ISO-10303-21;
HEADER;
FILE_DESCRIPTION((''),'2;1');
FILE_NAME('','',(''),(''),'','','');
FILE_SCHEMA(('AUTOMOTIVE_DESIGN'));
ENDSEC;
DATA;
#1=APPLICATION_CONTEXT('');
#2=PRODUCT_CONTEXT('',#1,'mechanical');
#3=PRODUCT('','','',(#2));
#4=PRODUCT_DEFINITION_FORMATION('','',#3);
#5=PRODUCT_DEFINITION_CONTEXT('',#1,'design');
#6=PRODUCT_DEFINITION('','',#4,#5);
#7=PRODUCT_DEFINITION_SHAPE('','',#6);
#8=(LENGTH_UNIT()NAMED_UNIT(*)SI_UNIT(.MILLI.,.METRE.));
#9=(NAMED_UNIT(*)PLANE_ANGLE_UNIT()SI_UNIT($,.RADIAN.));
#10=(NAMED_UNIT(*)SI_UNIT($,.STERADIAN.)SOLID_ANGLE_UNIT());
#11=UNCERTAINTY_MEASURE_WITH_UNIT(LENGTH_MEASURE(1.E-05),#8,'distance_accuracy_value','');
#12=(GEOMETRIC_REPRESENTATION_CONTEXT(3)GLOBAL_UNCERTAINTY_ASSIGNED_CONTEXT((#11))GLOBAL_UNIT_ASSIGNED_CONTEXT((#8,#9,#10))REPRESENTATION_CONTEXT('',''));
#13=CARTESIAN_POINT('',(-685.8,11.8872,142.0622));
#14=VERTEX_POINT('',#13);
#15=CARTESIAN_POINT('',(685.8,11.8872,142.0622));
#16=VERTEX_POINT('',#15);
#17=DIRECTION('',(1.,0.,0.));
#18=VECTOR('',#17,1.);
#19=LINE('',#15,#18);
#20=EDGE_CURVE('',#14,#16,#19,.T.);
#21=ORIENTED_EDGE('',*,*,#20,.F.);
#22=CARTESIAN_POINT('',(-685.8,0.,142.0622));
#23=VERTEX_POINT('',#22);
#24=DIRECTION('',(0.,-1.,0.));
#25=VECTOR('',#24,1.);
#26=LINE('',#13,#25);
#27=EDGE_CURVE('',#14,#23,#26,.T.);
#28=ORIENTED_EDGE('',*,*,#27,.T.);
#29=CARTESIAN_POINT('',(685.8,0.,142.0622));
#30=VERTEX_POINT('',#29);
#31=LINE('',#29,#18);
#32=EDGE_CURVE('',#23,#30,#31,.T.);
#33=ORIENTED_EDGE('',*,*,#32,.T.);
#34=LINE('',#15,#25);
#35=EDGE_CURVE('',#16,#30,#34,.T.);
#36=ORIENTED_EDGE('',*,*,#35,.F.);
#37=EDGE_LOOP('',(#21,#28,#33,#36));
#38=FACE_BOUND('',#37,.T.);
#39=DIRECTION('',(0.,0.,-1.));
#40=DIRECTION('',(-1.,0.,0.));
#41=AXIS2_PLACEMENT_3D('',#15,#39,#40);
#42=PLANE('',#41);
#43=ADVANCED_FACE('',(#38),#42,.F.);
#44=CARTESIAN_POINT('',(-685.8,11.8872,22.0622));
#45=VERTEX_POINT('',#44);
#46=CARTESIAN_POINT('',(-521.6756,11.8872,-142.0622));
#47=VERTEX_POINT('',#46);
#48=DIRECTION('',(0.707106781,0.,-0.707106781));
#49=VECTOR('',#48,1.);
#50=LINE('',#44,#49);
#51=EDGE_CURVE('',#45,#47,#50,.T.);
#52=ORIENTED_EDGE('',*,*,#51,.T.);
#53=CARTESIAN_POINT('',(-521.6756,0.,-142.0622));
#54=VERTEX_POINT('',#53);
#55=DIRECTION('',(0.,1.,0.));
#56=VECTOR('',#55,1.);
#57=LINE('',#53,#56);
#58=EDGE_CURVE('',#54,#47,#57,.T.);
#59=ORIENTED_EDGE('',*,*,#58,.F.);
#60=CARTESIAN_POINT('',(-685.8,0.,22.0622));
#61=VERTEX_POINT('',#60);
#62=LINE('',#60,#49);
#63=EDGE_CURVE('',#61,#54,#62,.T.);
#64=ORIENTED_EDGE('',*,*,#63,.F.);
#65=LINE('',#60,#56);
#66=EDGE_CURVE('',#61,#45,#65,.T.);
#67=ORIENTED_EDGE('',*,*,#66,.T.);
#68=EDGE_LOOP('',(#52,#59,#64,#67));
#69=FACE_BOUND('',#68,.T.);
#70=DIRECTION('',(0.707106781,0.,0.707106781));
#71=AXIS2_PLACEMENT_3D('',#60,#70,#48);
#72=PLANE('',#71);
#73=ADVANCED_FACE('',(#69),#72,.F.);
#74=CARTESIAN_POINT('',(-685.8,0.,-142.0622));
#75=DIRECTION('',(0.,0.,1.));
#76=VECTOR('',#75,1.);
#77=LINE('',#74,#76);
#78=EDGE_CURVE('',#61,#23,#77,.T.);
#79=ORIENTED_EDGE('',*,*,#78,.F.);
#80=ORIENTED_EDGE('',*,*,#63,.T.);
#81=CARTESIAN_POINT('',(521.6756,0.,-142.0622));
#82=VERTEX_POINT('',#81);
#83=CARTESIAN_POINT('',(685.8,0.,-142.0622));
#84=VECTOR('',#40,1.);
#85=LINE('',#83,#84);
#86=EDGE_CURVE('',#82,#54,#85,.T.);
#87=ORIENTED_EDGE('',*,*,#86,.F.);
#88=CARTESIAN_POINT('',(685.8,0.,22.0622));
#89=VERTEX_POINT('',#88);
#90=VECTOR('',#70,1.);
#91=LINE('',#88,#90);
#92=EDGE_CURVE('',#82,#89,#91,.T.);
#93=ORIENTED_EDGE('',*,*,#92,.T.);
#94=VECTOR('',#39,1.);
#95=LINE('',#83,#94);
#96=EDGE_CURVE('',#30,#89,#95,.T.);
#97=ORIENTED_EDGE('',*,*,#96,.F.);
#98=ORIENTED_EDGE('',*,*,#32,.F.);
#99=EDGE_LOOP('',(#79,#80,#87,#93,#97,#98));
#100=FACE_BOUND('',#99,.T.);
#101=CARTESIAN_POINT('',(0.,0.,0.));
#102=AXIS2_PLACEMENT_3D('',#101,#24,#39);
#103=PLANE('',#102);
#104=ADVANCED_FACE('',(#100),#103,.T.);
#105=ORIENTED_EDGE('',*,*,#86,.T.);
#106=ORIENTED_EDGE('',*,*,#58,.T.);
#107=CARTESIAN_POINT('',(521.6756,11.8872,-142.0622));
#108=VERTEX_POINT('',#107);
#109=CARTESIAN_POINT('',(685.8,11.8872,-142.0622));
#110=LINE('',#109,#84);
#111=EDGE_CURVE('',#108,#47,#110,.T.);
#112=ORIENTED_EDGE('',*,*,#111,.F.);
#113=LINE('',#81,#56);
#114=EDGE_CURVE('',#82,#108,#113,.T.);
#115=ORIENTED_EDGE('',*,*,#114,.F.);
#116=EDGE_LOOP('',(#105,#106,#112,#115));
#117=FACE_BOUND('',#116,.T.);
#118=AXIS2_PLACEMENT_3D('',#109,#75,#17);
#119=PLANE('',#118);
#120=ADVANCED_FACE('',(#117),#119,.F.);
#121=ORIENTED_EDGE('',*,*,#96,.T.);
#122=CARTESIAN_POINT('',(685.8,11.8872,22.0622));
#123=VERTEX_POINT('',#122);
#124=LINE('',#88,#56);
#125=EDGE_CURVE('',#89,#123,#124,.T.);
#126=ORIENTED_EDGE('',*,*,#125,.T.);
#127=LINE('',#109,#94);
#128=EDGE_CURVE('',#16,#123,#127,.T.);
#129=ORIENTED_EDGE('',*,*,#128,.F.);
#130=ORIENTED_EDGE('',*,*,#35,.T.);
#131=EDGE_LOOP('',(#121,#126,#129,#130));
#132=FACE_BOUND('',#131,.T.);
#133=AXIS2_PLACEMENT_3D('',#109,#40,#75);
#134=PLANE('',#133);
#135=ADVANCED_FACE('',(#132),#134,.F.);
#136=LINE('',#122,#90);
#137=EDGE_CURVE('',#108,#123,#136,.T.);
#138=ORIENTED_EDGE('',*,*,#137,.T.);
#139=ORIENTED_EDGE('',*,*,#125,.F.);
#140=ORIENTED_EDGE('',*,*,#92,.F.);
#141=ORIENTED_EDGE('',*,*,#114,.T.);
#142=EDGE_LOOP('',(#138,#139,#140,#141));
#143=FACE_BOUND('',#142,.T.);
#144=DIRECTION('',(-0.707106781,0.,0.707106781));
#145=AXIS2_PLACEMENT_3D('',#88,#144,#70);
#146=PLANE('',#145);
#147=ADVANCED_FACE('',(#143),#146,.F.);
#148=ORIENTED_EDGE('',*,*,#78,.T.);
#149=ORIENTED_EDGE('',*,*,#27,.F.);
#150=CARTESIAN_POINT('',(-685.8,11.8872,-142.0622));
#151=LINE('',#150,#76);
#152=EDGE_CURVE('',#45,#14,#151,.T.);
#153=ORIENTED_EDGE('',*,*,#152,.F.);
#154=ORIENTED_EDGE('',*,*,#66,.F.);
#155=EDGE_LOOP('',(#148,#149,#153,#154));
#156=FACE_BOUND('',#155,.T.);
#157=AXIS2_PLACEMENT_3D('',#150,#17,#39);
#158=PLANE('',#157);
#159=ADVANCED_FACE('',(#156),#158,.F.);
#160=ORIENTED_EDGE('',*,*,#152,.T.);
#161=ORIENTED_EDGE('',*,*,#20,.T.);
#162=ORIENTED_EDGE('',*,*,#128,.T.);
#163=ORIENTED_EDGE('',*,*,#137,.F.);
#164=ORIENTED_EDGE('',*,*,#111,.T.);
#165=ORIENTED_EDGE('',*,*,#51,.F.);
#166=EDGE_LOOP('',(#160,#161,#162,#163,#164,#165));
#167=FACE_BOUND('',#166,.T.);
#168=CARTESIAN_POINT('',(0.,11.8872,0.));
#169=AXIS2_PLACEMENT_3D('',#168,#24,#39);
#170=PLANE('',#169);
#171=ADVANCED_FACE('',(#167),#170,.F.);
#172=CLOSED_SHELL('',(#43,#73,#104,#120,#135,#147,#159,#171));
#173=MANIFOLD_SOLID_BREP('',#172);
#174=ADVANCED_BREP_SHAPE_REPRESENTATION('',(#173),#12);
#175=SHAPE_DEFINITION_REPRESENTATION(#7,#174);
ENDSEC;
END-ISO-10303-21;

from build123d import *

# Parameters (mm, degrees)
SKETCH1_W           = 1371.6
SKETCH1_H           = 284.1244
BOSS_EXTRUDE1_DEPTH = 11.8872
CUT_EXTRUDE1_DEPTH  = 701.460287377


with BuildPart() as part:
    # Sketch1 → Boss-Extrude1 (new body)
    with BuildSketch(Plane(origin=(0, 0, 0), x_dir=(1, 0, 0), z_dir=(0, 1, 0))):
        Rectangle(SKETCH1_W, SKETCH1_H)
    extrude(amount=BOSS_EXTRUDE1_DEPTH)

    # Sketch3 → Cut-Extrude1 (cut, through all)
    with BuildSketch(Plane(origin=(0, 11.8872, 0), x_dir=(1, 0, 0), z_dir=(0, 1, 0))):
        Polygon((-685.8, -22.0622), (-521.6756, 142.0622), (-685.8, 142.0622), align=None)
        Polygon((685.8, 142.0622), (685.8, -22.0622), (521.6756, 142.0622), align=None)
    extrude(amount=-CUT_EXTRUDE1_DEPTH, mode=Mode.SUBTRACT)


solid = part.part
